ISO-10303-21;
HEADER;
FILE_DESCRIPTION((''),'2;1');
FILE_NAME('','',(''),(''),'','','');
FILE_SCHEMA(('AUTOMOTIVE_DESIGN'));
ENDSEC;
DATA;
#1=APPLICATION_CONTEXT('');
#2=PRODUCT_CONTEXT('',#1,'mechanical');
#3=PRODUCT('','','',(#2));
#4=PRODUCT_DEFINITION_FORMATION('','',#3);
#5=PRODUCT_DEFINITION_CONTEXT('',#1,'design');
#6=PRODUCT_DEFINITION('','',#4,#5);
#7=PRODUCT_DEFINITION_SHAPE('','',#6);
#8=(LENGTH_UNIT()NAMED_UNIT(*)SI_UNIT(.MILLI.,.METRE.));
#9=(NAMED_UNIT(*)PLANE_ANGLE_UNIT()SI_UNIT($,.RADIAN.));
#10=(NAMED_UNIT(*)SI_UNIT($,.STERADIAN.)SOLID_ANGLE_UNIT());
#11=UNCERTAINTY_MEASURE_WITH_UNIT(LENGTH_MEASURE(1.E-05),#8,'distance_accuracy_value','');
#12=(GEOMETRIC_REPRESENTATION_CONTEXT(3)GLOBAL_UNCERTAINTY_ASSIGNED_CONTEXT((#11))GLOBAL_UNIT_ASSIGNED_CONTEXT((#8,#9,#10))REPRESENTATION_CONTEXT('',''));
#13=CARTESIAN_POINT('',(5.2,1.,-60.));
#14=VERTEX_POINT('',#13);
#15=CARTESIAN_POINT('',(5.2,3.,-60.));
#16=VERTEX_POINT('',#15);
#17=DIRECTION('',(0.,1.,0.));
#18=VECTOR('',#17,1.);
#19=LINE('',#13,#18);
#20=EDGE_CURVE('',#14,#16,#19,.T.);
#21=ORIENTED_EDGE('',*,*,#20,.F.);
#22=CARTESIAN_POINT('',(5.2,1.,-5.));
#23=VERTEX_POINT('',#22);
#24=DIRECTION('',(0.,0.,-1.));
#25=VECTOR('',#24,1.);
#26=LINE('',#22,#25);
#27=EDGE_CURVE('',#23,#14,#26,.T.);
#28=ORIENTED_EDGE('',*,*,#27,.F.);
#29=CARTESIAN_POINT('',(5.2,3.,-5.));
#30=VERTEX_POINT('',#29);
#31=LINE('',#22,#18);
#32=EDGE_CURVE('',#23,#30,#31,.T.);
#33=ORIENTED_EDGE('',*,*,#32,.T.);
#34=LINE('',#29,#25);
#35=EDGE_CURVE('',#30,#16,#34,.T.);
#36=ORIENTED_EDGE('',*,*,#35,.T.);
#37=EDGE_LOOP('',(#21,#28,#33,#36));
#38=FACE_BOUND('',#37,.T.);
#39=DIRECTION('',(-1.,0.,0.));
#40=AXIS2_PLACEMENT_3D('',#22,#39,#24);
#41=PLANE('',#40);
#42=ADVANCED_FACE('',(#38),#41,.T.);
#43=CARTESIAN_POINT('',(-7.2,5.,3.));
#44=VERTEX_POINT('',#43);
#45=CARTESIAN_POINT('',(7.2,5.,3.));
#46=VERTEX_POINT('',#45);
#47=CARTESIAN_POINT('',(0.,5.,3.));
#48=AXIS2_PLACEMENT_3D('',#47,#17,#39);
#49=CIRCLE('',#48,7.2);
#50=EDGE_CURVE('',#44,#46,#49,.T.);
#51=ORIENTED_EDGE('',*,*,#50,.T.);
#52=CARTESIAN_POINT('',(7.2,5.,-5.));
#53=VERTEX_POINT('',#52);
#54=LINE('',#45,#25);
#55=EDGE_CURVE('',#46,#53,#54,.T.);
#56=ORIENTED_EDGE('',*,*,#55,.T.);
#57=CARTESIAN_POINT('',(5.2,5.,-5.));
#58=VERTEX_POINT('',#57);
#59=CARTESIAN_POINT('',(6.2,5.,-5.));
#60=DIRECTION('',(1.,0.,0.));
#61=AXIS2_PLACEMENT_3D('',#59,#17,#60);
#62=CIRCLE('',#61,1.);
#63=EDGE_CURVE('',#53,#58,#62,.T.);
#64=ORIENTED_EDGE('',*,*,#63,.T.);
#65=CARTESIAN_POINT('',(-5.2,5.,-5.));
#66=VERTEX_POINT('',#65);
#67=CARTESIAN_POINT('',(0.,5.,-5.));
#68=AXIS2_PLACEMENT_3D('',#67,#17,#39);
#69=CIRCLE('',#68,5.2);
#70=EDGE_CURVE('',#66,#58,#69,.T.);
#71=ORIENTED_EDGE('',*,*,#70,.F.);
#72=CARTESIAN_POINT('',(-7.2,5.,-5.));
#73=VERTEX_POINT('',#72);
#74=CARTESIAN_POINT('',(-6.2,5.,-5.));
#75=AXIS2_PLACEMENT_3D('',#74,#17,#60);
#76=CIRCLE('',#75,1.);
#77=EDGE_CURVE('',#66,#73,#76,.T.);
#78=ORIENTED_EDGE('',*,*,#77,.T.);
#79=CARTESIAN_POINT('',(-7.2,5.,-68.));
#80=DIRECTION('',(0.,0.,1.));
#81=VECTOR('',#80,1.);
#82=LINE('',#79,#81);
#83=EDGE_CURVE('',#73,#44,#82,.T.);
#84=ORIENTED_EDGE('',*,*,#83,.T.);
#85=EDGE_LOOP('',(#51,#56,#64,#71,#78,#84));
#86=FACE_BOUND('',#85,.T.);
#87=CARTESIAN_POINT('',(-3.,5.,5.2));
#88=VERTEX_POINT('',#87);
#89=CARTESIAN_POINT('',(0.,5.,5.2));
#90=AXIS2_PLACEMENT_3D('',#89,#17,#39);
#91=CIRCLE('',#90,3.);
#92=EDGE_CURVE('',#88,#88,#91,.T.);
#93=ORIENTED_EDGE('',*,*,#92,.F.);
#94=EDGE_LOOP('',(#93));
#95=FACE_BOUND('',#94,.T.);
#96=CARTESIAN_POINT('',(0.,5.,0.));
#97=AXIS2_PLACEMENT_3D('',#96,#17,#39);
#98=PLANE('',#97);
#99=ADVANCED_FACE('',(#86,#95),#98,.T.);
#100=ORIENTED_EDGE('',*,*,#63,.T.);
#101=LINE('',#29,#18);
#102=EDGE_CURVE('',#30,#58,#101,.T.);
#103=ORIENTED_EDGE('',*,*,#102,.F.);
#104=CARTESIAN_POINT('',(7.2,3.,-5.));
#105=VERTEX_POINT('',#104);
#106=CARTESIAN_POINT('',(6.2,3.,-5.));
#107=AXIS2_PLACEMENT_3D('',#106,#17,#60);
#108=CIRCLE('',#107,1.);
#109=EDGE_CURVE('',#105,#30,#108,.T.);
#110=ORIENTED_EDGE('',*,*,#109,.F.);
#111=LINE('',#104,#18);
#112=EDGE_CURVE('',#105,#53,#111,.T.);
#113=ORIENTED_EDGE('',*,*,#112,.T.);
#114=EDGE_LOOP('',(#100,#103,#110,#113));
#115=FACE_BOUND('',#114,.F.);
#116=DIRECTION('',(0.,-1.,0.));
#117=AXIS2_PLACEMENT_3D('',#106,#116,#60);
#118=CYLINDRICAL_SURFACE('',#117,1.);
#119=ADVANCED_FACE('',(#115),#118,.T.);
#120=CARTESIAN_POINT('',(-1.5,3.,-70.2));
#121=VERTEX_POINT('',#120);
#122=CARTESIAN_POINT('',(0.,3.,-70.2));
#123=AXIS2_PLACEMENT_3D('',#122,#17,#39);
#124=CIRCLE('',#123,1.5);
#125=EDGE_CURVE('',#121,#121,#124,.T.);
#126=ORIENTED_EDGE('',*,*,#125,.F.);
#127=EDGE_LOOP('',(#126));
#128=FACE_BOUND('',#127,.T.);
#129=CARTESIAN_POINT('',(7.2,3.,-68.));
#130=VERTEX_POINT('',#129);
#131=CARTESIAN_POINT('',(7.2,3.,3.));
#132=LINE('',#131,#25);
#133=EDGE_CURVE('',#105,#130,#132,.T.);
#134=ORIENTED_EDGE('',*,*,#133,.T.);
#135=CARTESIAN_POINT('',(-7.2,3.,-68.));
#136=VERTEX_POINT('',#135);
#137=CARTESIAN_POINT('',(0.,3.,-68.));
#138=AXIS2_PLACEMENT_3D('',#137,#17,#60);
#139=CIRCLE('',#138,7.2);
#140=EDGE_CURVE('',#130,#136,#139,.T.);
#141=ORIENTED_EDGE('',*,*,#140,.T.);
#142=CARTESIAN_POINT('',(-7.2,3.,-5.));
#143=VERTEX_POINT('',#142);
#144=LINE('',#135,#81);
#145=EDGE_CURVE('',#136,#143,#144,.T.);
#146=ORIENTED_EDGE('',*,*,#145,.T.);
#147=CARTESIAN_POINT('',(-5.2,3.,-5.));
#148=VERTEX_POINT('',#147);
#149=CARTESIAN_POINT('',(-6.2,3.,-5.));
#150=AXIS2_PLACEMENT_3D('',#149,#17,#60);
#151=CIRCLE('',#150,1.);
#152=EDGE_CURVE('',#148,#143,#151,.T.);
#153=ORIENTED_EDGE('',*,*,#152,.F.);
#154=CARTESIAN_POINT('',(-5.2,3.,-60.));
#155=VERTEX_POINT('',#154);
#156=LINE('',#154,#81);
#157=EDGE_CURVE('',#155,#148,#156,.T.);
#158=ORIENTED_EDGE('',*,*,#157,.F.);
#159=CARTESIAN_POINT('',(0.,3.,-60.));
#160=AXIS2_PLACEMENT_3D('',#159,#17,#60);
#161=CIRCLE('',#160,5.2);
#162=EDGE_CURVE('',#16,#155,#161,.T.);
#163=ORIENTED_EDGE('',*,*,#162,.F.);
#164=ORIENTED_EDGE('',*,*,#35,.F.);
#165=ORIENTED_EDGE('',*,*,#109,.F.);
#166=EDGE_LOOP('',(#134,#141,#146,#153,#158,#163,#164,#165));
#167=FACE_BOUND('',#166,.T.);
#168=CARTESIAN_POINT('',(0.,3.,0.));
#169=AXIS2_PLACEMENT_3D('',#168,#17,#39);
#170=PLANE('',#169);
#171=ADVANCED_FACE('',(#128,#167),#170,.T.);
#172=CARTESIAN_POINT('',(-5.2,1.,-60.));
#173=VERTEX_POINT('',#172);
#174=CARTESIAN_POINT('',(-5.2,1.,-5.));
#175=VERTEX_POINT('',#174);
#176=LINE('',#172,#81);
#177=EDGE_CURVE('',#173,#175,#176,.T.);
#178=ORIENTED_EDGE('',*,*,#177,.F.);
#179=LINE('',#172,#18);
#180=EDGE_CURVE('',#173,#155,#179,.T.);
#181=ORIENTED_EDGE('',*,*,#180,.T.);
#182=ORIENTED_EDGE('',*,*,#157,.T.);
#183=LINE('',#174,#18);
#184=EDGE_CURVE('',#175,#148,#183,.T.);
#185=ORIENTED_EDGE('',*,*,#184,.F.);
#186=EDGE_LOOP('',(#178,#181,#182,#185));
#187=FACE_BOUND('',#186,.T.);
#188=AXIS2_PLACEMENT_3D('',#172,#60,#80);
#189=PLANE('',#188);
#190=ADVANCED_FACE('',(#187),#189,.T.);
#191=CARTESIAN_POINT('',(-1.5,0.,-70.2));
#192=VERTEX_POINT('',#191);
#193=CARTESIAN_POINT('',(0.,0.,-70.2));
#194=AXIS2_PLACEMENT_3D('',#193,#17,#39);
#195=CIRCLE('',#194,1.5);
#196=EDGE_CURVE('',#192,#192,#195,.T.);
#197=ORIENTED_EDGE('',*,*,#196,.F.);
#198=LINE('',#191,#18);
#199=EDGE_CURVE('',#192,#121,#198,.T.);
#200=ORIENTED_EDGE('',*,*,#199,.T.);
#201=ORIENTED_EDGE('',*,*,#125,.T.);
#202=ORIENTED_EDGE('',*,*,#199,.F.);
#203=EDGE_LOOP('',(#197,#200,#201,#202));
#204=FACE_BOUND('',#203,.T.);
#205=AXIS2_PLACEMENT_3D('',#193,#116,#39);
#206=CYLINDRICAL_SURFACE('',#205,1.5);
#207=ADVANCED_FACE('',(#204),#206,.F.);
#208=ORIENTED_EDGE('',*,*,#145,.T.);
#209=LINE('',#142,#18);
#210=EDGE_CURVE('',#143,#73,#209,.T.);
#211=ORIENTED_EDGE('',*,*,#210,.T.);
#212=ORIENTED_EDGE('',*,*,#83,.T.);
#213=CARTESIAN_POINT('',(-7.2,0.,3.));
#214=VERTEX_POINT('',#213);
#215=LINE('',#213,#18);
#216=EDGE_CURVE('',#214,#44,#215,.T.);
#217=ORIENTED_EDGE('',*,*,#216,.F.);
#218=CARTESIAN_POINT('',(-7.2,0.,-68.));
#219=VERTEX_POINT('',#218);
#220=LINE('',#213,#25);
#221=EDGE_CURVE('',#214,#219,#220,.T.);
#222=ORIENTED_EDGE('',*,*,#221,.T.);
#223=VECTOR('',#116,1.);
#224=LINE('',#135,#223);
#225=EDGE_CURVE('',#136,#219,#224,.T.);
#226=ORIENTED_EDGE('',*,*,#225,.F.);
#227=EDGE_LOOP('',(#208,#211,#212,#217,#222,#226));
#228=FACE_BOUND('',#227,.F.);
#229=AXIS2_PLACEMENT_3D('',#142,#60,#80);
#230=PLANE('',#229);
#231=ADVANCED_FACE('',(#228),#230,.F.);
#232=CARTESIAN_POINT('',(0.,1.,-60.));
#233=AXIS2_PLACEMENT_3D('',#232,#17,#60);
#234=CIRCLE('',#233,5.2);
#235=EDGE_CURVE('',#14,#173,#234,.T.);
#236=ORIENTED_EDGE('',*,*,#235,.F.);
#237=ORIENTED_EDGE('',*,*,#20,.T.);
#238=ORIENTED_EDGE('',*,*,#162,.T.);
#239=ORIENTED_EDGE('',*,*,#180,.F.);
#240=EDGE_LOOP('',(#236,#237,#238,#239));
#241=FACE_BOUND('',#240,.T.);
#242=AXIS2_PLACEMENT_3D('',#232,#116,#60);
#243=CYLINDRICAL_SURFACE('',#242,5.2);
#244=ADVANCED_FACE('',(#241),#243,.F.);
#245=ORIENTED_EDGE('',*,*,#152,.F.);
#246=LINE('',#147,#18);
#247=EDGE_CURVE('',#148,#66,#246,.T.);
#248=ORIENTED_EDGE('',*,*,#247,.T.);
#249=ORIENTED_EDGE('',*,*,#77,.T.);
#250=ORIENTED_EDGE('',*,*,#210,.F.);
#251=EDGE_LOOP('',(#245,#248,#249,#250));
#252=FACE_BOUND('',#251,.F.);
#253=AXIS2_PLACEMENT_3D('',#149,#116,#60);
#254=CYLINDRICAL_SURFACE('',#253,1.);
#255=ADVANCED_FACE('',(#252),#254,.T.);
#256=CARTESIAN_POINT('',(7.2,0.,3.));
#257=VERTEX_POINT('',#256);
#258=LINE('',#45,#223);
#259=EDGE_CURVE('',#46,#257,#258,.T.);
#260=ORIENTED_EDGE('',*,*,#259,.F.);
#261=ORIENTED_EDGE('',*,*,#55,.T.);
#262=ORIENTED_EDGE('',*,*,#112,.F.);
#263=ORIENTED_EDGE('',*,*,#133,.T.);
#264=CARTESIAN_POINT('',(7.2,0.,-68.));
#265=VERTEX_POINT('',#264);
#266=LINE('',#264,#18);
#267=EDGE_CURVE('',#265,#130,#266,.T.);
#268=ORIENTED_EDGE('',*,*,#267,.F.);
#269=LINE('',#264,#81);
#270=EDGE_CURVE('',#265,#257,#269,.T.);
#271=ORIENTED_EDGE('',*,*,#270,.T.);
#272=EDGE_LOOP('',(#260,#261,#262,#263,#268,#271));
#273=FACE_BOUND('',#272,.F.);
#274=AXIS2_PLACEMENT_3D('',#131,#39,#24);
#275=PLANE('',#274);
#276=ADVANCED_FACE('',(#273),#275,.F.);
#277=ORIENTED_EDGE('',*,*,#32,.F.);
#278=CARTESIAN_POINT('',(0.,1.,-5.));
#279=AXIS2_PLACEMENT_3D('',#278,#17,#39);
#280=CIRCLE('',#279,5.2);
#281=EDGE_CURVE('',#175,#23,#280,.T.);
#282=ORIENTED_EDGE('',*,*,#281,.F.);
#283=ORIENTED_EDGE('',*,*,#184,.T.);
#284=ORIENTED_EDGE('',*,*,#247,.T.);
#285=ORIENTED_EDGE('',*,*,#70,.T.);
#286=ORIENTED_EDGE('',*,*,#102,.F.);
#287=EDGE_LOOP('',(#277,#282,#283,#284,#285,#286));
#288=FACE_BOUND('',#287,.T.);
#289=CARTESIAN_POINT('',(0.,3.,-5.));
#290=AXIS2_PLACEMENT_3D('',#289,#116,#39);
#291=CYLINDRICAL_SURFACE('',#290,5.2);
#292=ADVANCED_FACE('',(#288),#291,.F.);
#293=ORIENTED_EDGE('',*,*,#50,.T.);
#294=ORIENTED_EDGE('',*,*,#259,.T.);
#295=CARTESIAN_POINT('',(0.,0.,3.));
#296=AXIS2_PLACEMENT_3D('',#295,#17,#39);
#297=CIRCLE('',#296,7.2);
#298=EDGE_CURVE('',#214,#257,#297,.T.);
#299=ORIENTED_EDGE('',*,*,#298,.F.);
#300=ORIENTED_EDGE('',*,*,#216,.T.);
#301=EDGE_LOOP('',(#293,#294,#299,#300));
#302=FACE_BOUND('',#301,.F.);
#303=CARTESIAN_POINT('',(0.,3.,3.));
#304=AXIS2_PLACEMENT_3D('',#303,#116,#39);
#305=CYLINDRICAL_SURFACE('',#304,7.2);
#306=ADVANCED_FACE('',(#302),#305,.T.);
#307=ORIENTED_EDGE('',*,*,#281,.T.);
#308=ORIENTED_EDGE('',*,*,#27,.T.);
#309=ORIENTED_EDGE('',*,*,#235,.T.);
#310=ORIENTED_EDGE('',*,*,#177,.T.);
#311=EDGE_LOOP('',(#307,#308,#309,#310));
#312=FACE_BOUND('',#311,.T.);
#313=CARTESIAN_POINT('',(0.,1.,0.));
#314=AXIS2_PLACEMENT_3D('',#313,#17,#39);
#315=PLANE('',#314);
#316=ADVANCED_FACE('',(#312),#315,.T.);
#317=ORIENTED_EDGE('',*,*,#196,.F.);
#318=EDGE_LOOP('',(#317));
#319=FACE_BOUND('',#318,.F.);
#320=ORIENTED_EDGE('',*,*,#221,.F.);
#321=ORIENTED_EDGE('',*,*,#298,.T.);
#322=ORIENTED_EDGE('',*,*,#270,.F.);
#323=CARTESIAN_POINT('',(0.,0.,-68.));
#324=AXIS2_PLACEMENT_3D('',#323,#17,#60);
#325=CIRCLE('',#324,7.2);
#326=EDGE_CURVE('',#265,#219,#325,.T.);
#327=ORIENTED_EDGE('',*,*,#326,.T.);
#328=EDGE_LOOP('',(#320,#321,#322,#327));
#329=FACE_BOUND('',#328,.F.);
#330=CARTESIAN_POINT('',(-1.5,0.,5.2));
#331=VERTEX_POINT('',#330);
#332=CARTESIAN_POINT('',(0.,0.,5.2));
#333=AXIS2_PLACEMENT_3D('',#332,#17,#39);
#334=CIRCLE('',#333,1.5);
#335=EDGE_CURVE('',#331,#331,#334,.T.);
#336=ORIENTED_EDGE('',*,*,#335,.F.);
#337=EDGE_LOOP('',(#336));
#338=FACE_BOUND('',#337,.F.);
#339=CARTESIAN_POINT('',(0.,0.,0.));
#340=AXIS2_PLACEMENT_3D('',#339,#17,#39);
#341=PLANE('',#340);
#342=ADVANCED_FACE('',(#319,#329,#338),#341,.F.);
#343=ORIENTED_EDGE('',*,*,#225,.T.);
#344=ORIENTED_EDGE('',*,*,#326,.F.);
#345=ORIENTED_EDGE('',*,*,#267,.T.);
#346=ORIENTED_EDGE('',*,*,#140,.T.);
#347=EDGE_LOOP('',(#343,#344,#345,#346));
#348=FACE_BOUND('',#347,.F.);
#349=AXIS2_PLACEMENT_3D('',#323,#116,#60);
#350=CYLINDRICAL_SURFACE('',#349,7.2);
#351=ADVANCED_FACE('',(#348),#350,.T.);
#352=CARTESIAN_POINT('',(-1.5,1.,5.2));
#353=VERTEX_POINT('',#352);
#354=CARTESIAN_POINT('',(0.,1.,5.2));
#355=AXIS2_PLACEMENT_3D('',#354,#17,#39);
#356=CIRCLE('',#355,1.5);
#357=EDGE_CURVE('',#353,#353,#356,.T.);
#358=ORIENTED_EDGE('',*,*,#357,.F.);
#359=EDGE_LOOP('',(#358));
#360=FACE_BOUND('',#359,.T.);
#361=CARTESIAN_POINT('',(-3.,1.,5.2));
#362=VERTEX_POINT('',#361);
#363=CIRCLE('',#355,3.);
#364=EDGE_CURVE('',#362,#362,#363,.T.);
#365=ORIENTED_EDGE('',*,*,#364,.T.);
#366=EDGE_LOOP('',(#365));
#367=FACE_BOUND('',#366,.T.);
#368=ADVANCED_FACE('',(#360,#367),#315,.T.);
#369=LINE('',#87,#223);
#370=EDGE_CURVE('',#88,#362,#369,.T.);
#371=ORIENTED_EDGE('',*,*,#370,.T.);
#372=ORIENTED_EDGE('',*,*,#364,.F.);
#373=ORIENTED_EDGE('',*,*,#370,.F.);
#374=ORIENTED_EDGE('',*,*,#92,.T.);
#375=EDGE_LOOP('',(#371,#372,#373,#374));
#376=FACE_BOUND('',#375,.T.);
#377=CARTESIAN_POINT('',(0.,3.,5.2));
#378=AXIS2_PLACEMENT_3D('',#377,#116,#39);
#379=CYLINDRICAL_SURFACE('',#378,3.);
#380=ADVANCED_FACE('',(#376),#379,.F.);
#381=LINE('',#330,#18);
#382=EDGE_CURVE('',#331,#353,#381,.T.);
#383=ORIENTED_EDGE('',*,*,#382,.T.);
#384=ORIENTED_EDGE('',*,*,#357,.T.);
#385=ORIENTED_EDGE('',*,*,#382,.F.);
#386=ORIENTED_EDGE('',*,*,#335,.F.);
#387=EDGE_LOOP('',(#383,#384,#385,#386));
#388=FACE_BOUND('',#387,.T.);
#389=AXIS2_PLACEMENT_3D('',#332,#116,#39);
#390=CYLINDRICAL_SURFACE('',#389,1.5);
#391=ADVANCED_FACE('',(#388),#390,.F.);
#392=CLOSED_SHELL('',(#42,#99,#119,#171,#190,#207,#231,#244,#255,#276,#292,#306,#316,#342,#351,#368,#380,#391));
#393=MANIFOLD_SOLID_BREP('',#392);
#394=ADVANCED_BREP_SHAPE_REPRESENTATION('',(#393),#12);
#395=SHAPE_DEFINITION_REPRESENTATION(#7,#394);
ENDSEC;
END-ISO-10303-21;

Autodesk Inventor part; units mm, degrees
ref_plane "YZ Plane" through (0, 0, 0) normal (1, 0, 0) x (0, 1, 0)
ref_plane "XZ Plane" through (0, 0, 0) normal (0, 1, 0) x (-1, 0, 0)
ref_plane "XY Plane" through (0, 0, 0) normal (0, 0, 1) x (1, 0, 0)
sketch "Sketch1" plane through (0, 0, 0) normal (0, 1, 0) x (-1, 0, 0)
  line L0 (0, 0) -> (0, -65) construction
  line L1 (-5, -5) -> (-5, -60) construction
  line L2 (5, -60) -> (5, -5) construction
  arc A0 (5, -5) -> (-5, -5) centre (0, -5) ccw construction
  arc A1 (-5, -60) -> (5, -60) centre (0, -60) ccw construction
  line L3 (5.2, -60) -> (5.2, -5)
  arc A2 (5.2, -5) -> (-5.2, -5) centre (0, -5) ccw
  line L4 (-5.2, -5) -> (-5.2, -60)
  arc A3 (-5.2, -60) -> (5.2, -60) centre (0, -60) ccw
  arc A4 (7.2, 3) -> (-7.2, 3) centre (0, 3) ccw
  line L5 (-7.2, 3) -> (-7.2, -68)
  arc A5 (-7.2, -68) -> (7.2, -68) centre (0, -68) ccw
  line L6 (7.2, -68) -> (7.2, 3)
  circle A6 centre (0, -70.2) radius 1.5
  line L7 (0, -75.2) -> (0, -65.2) construction
  circle A7 centre (0, 5.2) radius 1.5
  line L8 (0, 0.2) -> (0, 10.2) construction
  circle A8 centre (0, 5.2) radius 3
  arc A9 (-7.2, -5) -> (-5.2, -5) centre (-6.2, -5) ccw
  arc A10 (5.2, -5) -> (7.2, -5) centre (6.2, -5) ccw
  point P0 (0, -32.5)
  point P1 (7.2, -32.5)
  point P2 (0, -70.2)
  dimension "d0" = 65
  dimension "d1" = 10
  dimension "d2" = 0.2
  dimension "d8" = 2
  dimension "d9" = 2
  dimension "d10" = 10
  dimension "d11" = 10
  dimension "d12" = 3
  dimension "d13" = 3
  dimension "d14" = 6
extrude "Extrusion3" add sketch "Sketch1" along normal blind 1 contours A3 L4 A2 L3 | L3 A10 L6 A5 L5 A9 L4 A3 | A2 A9 L5 A4 L6 A10 | A8
extrude "Extrusion4" add sketch "Sketch1" along normal blind 2 from surface at 1 contours L3 A10 L6 A5 L5 A9 L4 A3 | A2 A9 L5 A4 L6 A10
extrude "Extrusion5" add sketch "Sketch1" along normal blind 2 from surface at 3 contours A2 A9 L5 A4 L6 A10
properties part number "magnet_holder"
